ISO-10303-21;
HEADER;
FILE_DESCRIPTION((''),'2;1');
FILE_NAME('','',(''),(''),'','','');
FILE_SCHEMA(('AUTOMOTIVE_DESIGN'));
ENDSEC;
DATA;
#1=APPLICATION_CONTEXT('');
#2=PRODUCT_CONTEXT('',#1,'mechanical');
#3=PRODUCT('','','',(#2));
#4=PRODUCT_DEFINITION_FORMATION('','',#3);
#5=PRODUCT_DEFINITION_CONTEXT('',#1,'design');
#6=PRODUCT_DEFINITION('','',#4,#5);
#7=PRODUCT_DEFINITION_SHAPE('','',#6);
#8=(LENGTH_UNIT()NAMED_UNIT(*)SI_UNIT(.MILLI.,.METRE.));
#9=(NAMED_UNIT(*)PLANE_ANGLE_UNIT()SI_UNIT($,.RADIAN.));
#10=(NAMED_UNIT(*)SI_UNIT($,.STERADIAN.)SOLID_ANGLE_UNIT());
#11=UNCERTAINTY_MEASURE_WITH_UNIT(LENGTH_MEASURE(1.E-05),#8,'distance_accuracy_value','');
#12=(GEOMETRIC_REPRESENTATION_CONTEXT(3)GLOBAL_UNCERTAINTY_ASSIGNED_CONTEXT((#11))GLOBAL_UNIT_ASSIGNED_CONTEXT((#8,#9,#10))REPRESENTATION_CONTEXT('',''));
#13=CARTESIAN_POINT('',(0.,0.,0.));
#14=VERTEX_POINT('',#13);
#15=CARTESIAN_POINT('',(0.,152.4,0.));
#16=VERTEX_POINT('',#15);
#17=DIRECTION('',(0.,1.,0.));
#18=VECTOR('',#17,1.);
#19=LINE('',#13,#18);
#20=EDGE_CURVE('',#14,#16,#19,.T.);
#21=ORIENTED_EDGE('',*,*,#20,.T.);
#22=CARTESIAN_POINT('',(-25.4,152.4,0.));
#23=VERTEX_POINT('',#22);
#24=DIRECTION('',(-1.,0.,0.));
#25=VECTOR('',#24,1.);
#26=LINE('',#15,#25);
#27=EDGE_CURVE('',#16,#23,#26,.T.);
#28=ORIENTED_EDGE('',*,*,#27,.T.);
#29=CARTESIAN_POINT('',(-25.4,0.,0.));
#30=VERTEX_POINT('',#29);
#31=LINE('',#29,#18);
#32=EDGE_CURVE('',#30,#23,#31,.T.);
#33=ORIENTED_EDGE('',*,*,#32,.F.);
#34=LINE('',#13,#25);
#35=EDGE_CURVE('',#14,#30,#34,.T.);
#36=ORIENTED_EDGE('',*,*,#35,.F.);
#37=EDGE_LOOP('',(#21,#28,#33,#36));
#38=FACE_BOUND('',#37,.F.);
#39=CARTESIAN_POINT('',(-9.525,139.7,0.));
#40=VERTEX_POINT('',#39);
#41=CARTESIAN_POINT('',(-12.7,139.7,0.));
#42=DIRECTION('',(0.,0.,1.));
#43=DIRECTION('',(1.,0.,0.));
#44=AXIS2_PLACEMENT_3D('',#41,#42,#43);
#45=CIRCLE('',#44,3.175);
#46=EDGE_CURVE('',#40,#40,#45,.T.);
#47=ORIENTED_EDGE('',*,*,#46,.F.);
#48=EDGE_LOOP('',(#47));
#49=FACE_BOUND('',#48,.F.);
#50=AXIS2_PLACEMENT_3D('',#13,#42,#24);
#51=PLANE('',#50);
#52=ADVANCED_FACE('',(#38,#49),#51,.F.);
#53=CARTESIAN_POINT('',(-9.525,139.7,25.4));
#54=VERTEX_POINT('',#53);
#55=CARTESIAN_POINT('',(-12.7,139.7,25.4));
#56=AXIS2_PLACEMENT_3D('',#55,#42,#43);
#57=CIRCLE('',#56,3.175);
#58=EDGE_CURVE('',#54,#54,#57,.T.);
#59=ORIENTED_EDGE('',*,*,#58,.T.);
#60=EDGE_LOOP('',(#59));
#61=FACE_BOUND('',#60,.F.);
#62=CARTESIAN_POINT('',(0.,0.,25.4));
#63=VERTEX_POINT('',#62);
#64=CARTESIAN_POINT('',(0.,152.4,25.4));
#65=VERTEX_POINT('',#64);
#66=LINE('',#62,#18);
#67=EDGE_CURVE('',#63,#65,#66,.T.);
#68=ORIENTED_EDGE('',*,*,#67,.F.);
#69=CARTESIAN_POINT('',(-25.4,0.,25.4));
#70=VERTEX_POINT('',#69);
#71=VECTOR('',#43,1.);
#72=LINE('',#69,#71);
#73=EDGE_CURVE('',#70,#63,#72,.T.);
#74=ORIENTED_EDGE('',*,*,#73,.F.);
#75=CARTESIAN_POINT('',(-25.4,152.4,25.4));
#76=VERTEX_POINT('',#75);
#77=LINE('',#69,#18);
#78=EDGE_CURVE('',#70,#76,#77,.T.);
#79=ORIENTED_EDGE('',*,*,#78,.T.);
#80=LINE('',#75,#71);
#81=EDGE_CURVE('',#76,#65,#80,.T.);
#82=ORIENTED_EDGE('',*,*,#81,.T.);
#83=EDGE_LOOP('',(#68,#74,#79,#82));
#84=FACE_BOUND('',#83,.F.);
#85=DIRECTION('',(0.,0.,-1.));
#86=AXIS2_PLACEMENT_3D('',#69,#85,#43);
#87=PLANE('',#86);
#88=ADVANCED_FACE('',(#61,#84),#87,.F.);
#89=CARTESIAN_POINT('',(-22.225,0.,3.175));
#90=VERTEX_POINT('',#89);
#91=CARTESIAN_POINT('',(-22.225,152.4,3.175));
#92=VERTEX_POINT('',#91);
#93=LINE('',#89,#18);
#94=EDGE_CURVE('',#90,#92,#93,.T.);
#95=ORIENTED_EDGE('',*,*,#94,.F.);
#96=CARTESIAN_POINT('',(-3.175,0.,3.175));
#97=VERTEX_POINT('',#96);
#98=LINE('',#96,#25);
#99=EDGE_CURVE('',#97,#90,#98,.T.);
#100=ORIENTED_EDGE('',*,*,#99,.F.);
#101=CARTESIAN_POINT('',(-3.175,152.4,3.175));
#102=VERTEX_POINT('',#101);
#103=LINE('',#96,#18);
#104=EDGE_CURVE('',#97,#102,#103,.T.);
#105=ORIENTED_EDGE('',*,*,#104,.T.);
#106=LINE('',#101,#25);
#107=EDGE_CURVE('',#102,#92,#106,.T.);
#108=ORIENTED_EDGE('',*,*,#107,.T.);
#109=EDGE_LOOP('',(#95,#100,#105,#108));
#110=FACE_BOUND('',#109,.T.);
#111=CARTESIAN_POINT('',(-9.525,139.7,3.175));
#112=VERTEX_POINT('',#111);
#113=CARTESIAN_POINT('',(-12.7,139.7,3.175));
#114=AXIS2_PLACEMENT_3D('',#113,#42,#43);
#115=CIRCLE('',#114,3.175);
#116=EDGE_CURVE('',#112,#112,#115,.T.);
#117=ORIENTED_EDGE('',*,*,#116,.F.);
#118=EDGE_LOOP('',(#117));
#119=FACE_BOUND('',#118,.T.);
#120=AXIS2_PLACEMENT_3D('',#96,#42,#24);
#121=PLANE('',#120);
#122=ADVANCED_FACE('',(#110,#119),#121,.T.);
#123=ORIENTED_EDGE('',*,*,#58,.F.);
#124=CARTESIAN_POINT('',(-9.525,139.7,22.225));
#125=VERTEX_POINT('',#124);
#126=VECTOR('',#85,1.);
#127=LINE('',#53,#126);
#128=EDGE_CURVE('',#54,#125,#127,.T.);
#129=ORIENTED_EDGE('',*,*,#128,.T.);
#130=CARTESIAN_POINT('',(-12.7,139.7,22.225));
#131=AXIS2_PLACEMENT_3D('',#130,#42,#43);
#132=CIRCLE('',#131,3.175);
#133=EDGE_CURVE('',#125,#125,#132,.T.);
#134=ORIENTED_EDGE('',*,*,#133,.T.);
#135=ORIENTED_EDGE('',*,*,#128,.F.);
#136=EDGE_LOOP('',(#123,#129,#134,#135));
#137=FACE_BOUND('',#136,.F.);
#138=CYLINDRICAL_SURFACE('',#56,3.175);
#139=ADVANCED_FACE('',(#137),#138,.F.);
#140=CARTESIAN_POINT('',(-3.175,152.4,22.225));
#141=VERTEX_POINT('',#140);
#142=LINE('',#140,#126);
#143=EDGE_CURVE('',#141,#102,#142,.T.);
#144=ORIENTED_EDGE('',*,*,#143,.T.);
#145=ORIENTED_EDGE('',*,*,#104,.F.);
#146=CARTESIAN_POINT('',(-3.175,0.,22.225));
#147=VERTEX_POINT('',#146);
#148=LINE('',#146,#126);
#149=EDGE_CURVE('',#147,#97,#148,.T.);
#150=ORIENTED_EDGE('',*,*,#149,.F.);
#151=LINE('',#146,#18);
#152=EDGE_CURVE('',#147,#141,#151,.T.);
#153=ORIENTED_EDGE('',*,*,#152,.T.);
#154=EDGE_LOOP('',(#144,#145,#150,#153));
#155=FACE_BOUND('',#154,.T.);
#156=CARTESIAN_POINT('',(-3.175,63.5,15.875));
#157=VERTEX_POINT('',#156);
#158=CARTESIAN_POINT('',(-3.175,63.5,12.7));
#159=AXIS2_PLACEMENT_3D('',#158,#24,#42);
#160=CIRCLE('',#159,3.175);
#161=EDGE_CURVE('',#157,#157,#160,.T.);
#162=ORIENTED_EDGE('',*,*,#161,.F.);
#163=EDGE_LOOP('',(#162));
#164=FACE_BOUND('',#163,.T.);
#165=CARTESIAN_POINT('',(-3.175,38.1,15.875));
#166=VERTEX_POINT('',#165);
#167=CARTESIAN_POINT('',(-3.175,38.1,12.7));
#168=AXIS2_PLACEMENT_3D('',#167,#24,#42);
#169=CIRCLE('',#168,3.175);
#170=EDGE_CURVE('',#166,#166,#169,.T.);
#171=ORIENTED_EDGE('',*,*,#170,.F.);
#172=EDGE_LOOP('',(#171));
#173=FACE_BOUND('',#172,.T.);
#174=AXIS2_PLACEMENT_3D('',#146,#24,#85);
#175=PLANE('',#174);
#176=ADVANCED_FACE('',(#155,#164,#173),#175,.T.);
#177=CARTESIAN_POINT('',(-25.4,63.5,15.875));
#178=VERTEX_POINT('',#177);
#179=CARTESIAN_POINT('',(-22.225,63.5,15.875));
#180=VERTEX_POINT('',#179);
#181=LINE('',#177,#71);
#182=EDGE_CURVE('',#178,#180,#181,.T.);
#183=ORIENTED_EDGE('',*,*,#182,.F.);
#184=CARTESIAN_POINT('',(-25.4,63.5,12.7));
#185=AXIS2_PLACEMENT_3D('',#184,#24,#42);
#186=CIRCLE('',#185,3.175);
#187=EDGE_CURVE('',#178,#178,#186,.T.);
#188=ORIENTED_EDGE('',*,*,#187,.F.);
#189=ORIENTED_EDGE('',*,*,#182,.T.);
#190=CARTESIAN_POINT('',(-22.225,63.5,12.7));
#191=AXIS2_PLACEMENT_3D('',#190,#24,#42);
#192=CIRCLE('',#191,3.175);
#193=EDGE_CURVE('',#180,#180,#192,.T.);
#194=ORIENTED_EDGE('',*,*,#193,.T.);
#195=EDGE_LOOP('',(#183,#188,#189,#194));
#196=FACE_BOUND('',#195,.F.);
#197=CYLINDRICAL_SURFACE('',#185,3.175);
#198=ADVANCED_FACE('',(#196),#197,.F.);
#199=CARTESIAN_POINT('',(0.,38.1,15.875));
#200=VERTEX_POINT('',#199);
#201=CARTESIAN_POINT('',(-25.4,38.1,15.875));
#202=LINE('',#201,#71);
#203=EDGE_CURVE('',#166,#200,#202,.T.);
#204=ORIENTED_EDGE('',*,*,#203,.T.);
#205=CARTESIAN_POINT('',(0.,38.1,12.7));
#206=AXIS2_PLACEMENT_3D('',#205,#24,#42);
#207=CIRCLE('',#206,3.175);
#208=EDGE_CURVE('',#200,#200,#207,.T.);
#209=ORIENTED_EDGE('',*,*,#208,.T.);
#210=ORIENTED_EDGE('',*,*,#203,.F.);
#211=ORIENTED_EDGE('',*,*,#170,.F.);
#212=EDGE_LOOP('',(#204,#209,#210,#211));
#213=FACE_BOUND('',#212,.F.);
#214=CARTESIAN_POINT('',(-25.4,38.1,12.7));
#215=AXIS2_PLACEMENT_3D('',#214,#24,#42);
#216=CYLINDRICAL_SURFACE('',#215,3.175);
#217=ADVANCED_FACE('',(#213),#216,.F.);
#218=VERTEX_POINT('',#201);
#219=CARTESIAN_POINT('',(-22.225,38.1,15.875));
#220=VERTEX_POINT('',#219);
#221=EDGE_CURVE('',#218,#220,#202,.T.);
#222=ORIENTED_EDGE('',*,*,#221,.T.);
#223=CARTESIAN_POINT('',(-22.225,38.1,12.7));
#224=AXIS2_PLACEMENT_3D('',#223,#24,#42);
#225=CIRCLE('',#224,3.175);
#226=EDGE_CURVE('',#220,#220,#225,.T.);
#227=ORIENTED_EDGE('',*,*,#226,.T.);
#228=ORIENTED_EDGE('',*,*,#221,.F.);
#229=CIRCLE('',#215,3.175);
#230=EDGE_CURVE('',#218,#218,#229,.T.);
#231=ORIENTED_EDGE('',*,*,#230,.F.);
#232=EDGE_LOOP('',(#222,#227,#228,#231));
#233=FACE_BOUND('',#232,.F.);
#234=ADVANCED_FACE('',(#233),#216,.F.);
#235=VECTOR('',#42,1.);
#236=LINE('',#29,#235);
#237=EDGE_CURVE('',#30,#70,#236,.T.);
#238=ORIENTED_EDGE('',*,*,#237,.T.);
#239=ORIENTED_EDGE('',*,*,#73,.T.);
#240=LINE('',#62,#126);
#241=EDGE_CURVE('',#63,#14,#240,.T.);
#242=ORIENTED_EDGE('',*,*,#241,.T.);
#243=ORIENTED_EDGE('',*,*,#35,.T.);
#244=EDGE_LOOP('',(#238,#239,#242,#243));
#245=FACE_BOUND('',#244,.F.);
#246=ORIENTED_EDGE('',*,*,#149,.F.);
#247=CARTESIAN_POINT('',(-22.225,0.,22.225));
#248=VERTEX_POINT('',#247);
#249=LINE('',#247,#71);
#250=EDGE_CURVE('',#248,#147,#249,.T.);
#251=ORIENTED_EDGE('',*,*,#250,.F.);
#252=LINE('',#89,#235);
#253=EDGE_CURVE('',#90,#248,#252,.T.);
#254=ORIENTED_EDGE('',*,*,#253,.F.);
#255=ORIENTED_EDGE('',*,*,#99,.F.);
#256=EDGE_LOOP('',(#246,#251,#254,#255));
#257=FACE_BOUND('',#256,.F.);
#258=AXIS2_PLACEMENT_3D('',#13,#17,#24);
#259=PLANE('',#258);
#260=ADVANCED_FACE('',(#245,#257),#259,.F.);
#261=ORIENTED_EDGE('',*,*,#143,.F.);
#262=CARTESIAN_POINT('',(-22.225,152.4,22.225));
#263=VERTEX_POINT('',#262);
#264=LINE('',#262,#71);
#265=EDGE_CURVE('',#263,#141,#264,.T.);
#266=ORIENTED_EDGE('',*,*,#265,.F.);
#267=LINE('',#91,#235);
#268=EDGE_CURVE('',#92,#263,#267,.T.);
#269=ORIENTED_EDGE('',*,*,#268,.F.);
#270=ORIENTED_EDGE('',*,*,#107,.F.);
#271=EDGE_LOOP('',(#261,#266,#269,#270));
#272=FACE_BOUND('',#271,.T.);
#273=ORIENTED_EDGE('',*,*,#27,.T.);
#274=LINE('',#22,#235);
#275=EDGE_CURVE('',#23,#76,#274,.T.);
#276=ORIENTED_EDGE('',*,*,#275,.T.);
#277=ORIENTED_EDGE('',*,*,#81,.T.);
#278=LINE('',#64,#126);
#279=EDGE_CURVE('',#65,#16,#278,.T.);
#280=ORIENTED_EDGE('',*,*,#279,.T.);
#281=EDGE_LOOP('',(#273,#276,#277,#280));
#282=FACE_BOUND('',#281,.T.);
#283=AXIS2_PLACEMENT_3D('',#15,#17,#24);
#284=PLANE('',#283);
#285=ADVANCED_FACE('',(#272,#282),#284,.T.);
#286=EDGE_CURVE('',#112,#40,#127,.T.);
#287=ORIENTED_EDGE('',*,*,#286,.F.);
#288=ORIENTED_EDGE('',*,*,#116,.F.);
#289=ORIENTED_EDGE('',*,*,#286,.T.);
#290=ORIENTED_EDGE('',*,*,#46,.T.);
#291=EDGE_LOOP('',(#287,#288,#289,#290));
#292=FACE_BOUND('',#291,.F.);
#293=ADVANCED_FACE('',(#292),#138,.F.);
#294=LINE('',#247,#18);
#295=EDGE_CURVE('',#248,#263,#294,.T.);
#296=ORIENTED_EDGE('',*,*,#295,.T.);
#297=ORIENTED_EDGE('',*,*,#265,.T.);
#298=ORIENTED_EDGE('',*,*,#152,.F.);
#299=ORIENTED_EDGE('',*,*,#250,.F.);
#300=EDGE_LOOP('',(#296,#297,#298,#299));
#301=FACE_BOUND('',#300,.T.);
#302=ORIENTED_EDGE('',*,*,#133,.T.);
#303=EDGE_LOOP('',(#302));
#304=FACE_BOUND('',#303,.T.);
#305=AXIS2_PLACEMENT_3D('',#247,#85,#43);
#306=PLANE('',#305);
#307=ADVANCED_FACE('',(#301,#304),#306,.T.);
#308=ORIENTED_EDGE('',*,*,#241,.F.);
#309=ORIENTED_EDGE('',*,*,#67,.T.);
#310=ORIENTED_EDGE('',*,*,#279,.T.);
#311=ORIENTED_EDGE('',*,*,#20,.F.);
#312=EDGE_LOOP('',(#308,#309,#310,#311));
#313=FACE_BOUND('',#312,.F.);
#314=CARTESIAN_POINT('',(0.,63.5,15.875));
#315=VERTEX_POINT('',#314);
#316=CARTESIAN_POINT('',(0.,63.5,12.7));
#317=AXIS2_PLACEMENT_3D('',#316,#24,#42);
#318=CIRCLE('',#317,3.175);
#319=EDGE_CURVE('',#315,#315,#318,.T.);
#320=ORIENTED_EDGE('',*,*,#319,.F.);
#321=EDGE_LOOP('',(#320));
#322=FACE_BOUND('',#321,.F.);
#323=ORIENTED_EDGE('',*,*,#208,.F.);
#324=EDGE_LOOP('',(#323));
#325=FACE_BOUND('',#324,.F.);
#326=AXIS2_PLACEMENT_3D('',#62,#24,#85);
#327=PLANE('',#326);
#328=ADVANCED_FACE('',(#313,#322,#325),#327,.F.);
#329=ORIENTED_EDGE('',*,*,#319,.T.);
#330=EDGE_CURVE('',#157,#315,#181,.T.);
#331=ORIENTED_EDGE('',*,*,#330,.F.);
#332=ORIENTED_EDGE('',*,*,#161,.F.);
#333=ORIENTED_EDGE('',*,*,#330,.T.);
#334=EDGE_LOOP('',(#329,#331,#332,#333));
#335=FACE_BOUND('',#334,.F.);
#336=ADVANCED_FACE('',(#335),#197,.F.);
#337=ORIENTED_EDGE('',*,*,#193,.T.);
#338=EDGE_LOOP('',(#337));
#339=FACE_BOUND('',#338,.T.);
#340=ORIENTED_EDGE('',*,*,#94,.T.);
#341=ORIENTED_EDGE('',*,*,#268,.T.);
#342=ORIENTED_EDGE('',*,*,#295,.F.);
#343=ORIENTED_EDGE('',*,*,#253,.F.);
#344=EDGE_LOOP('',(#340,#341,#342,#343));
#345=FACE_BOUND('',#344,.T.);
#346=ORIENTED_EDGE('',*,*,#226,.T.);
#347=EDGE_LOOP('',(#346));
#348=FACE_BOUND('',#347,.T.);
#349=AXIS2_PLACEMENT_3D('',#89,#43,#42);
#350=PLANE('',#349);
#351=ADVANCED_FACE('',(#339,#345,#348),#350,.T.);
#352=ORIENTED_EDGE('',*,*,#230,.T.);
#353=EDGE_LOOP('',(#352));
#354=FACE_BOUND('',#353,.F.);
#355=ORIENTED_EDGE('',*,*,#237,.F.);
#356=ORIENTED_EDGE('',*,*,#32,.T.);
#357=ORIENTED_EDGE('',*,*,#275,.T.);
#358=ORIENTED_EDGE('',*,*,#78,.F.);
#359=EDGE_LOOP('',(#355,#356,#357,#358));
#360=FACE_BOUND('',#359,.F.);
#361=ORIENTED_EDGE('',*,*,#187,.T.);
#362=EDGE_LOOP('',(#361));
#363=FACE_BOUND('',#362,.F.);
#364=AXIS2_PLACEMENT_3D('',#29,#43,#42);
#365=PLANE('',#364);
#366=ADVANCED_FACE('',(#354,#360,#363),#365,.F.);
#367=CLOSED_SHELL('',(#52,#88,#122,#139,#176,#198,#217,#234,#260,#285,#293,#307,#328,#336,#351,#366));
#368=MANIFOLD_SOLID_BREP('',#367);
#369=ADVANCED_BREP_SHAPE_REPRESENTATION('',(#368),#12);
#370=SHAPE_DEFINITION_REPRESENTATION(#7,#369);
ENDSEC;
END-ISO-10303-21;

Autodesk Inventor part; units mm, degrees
ref_plane "YZ Plane" through (0, 0, 0) normal (1, 0, 0) x (0, 1, 0)
ref_plane "XZ Plane" through (0, 0, 0) normal (0, 1, 0) x (-1, 0, 0)
ref_plane "XY Plane" through (0, 0, 0) normal (0, 0, 1) x (1, 0, 0)
sketch "Sketch1" plane through (0, 0, 0) normal (0, 1, 0) x (-1, 0, 0)
  line L0 (0, 0) -> (25.4, 0)
  line L1 (25.4, 0) -> (25.4, 25.4)
  line L2 (25.4, 25.4) -> (0, 25.4)
  line L3 (0, 25.4) -> (0, 0)
  line L4 (22.225, 22.225) -> (3.175, 22.225)
  line L5 (3.175, 22.225) -> (3.175, 3.175)
  line L6 (3.175, 3.175) -> (22.225, 3.175)
  line L7 (22.225, 3.175) -> (22.225, 22.225)
  dimension "d0" = 25.4
  dimension "d1" = 25.4
  dimension "d4" = 3.175
  dimension "d5" = 3.175
  dimension "d7" = 3.175
  dimension "d8" = 3.175
extrude "Extrusion1" add sketch "Sketch1" along normal blind 152.4
sketch "Sketch2" plane through (-25.4, 0, 25.4) normal (0, 0, 1) x (1, 0, 0)
  circle A0 centre (12.7, 139.7) radius 3.175
  line L0 (0, 152.4) -> (25.4, 152.4) projected
  line L1 (0, 0) -> (0, 152.4) projected
  point P0 (25.4, 0)
  dimension "d11" = 6.35
  dimension "d12" = 12.7
  dimension "d13" = 12.7
extrude "Extrusion2" cut sketch "Sketch2" against normal through all
sketch "Sketch5" plane through (-25.4, 0, 0) normal (-1, 0, 0) x (0, 0, 1)
  circle A0 centre (12.7, 38.1) radius 3.175
  circle A1 centre (12.7, 63.5) radius 3.175
  line L0 (0, 0) -> (25.4, 0) projected
  line L1 (0, 0) -> (0, 152.4) projected
  dimension "d32" = 38.1
  dimension "d33" = 25.4
  dimension "d34" = 12.7
  dimension "d35" = 12.7
  dimension "d36" = 6.35
  dimension "d37" = 6.35
extrude "Extrusion5" cut sketch "Sketch5" against normal blind 25.4
properties part number "15102898-16-P-0505" material "Aluminum 6061"
